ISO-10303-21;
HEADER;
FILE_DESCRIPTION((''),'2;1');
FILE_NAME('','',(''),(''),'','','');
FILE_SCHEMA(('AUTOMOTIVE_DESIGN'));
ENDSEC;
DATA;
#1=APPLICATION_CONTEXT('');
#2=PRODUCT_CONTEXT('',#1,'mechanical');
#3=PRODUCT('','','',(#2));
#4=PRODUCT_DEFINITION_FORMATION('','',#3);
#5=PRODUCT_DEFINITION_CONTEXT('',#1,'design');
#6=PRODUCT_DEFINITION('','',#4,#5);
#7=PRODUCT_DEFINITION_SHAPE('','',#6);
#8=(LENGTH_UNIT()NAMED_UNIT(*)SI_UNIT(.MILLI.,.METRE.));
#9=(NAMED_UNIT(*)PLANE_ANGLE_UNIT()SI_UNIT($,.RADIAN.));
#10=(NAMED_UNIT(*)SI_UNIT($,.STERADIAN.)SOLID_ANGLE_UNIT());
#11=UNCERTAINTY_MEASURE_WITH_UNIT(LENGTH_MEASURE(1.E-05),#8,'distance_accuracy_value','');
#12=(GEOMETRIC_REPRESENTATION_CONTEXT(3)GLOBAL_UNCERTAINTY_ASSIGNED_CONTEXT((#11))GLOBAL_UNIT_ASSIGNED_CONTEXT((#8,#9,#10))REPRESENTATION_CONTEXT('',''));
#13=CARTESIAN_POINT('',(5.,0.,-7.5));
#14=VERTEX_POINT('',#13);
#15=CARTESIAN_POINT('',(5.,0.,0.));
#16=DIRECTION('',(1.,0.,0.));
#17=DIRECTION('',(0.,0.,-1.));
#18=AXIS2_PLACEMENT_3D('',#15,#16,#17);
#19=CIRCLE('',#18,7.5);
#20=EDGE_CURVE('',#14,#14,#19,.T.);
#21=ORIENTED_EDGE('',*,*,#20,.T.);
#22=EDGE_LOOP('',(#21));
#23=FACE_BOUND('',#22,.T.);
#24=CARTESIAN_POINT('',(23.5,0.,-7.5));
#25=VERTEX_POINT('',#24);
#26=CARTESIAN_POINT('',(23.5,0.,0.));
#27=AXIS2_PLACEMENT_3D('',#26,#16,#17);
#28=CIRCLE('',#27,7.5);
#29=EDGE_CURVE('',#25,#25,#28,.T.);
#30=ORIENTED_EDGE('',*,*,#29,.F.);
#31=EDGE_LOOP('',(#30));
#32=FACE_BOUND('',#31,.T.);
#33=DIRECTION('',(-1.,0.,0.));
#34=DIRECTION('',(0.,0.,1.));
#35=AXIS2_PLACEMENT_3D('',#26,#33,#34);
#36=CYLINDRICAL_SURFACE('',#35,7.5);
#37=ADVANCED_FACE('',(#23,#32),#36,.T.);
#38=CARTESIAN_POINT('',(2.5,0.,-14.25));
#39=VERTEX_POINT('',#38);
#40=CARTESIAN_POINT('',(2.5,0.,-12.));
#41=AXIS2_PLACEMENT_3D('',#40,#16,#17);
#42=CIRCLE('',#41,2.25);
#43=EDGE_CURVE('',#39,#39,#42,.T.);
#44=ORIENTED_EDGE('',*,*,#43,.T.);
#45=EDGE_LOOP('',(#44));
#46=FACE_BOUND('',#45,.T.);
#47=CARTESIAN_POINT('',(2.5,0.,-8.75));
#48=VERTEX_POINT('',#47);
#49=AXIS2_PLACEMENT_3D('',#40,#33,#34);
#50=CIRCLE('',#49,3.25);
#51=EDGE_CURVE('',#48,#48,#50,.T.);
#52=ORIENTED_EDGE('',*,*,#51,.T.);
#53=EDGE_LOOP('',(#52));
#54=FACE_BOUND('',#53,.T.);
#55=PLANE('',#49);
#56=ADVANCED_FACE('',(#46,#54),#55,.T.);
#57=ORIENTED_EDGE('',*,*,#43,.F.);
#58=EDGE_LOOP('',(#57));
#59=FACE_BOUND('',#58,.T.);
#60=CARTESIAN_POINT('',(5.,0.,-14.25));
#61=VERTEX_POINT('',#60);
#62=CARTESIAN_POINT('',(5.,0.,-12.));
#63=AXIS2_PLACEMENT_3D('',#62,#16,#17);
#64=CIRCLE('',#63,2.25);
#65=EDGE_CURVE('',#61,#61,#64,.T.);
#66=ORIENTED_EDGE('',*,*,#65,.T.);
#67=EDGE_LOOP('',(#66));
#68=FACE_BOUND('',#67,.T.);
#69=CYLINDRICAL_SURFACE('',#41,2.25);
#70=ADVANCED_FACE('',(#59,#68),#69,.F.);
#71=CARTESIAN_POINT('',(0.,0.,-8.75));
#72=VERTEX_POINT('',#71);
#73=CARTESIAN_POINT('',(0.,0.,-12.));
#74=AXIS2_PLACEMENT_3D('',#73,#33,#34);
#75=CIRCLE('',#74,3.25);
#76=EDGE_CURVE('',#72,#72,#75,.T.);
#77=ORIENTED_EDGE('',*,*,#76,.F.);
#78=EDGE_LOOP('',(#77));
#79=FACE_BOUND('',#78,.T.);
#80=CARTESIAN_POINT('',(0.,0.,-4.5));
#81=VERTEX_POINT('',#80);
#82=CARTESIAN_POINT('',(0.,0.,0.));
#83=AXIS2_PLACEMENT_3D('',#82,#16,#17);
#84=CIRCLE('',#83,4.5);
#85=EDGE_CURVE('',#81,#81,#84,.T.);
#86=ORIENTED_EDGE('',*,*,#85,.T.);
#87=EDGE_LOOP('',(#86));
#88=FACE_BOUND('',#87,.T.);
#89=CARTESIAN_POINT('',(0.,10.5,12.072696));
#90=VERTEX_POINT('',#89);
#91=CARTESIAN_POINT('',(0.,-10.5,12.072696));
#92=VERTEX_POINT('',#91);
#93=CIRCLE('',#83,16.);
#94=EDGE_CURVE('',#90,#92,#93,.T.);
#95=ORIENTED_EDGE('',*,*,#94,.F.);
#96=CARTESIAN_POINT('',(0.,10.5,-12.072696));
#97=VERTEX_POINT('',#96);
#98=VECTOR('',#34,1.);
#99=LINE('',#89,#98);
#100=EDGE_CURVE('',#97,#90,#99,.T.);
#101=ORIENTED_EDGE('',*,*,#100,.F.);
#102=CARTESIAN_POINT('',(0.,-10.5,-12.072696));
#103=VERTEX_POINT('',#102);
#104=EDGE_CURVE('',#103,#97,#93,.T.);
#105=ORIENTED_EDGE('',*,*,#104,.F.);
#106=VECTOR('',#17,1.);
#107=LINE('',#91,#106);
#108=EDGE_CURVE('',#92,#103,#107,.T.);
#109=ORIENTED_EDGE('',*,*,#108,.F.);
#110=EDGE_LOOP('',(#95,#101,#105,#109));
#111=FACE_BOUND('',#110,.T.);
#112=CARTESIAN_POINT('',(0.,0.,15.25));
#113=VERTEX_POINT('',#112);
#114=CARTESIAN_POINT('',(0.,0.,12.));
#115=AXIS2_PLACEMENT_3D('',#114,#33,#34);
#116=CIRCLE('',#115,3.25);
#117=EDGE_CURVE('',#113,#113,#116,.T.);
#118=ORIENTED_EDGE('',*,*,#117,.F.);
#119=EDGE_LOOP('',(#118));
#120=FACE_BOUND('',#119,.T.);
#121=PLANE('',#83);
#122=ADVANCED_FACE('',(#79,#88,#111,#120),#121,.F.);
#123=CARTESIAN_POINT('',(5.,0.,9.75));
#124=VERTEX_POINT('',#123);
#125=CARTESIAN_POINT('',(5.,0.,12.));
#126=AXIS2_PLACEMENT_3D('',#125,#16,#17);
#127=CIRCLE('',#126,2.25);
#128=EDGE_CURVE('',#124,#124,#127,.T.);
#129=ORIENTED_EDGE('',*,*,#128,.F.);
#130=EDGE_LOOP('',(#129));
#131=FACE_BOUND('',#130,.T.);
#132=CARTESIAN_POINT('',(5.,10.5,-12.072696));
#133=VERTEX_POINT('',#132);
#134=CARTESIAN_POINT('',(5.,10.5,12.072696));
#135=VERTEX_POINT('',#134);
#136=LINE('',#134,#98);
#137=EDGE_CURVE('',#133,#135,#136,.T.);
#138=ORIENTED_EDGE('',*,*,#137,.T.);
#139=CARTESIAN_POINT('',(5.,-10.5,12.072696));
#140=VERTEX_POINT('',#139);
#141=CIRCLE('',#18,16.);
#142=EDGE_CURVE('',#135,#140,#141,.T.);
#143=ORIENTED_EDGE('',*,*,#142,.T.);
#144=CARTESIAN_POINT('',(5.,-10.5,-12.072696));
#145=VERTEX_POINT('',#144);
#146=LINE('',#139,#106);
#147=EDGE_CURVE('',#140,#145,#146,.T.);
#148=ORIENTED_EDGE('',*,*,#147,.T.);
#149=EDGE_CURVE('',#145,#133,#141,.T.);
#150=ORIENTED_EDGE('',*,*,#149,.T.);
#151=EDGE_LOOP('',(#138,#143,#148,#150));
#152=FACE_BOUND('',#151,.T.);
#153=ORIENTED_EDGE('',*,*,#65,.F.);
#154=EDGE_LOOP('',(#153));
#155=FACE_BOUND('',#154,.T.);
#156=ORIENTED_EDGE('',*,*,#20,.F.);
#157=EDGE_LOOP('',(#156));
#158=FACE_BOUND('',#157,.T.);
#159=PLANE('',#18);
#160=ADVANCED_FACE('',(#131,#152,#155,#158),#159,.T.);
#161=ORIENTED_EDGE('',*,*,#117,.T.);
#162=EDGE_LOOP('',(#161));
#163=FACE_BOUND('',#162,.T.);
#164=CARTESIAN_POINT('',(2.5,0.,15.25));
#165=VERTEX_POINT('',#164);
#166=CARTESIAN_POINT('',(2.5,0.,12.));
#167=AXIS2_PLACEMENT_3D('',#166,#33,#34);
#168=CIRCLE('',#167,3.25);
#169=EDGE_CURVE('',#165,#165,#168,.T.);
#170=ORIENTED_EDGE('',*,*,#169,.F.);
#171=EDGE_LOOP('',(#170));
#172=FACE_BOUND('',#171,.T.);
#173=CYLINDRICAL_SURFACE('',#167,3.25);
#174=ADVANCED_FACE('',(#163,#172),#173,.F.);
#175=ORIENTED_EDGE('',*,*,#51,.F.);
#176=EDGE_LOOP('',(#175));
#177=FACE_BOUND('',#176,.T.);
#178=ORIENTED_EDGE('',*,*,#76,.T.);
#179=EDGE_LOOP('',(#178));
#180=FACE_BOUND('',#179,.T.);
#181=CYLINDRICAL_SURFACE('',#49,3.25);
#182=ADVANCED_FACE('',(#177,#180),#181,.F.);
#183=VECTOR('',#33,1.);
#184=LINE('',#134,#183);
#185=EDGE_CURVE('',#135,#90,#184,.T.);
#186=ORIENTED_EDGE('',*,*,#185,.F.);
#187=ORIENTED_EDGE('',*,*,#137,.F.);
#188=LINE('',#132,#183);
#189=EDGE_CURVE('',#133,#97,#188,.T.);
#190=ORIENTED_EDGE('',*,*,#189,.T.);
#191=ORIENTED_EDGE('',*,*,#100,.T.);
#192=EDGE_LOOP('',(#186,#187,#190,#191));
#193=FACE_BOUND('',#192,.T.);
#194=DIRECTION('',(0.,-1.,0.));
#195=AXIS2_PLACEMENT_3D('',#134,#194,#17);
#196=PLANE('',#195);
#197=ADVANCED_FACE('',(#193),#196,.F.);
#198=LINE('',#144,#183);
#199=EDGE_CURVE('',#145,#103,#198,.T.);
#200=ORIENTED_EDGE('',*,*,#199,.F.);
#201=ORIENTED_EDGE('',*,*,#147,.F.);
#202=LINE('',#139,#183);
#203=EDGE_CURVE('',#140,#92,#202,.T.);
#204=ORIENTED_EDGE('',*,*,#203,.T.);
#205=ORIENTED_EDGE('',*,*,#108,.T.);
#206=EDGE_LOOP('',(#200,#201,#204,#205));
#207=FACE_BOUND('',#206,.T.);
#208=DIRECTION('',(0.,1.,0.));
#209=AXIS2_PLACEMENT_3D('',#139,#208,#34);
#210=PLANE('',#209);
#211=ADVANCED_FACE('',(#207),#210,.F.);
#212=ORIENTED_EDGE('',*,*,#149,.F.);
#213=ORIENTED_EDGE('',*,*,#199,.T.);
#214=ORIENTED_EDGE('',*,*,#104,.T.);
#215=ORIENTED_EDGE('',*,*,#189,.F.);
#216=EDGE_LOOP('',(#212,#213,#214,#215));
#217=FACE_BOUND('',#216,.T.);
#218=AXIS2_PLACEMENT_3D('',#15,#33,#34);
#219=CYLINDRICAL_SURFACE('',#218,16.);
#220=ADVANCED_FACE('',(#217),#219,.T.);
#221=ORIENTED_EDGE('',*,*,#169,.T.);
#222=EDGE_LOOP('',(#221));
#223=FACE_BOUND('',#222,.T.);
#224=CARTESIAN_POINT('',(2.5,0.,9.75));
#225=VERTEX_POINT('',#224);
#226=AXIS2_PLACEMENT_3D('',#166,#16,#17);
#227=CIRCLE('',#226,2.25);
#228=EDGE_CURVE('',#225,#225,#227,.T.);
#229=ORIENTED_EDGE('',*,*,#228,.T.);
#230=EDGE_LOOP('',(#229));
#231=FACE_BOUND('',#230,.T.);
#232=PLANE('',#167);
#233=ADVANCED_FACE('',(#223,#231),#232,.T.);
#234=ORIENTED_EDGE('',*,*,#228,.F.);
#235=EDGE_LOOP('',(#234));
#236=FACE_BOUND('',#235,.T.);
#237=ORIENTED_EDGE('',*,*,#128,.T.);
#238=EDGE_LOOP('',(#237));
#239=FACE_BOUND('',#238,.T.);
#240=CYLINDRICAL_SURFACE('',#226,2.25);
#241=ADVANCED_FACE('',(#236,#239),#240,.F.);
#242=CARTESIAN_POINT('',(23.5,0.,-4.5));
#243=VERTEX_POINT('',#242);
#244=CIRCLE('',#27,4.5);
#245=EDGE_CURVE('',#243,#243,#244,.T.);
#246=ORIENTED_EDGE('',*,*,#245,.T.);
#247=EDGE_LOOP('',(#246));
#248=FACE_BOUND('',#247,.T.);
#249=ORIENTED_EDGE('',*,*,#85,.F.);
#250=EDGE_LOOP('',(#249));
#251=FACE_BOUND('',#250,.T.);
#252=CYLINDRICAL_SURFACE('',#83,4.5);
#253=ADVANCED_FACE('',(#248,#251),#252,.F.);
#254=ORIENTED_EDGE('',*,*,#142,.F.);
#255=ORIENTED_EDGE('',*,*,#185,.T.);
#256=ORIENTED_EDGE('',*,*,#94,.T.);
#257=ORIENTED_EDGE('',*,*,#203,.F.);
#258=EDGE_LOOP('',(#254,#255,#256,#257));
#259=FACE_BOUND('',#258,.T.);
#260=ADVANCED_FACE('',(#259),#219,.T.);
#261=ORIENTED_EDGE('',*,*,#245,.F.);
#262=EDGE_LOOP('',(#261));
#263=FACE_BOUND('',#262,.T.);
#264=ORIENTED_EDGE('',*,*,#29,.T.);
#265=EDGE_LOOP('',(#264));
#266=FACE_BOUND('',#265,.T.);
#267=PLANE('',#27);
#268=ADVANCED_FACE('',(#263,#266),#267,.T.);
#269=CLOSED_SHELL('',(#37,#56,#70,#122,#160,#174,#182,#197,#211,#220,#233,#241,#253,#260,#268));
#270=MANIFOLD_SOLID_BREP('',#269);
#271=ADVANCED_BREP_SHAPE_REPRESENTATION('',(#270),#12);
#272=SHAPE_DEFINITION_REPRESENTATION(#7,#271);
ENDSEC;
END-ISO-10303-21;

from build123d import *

# Parameters (mm, degrees)
EXTRUDE_3_DEPTH     = 5
SKETCH_3_R          = 2.25
CUT_EXTRUDE_4_DEPTH = 2.5
SKETCH_5_R          = 7.5
EXTRUDE_4_DEPTH     = 18.5
SKETCH_6_R          = 4.5
CUT_EXTRUDE_5_DEPTH = 24.5
SKETCH_7_R          = 3.25
CUT_EXTRUDE_6_DEPTH = 2.5


with BuildPart() as part:
    # 草图1 → 凸台-拉伸3 (new body)
    with BuildSketch(Plane(origin=(0, 0, 0), x_dir=(0, 0, -1), z_dir=(1, 0, 0))):
        with BuildLine():
            Line((-12.072696468, 10.5), (12.072696468, 10.5))
            ThreePointArc((12.072696468, 10.5), (16, 0), (12.072696468, -10.5))
            Line((12.072696468, -10.5), (-12.072696468, -10.5))
            ThreePointArc((-12.072696468, -10.5), (-16, 0), (-12.072696468, 10.5))
        make_face()
    extrude(amount=EXTRUDE_3_DEPTH)

    # 草图3 → 切除-拉伸4 (cut)
    with BuildSketch(Plane(origin=(5, 0, 0), x_dir=(0, 0, -1), z_dir=(1, 0, 0))):
        with Locations((-12, 0)):
            Circle(SKETCH_3_R)
        with Locations((12, 0)):
            Circle(SKETCH_3_R)
    extrude(amount=-CUT_EXTRUDE_4_DEPTH, mode=Mode.SUBTRACT)

    # 草图5 → 凸台-拉伸4 (add)
    with BuildSketch(Plane(origin=(5, 0, 0), x_dir=(0, 0, -1), z_dir=(1, 0, 0))):
        Circle(SKETCH_5_R)
    extrude(amount=EXTRUDE_4_DEPTH)

    # 草图6 → 切除-拉伸5 (cut, through all)
    with BuildSketch(Plane(origin=(23.5, 0, 0), x_dir=(0, 0, -1), z_dir=(1, 0, 0))):
        Circle(SKETCH_6_R)
    extrude(amount=-CUT_EXTRUDE_5_DEPTH, mode=Mode.SUBTRACT)

    # 草图7 → 切除-拉伸6 (cut)
    with BuildSketch(Plane.ZY):
        with Locations((-12, 0)):
            Circle(SKETCH_7_R)
        with Locations((12, 0)):
            Circle(SKETCH_7_R)
    extrude(amount=-CUT_EXTRUDE_6_DEPTH, mode=Mode.SUBTRACT)


solid = part.part
